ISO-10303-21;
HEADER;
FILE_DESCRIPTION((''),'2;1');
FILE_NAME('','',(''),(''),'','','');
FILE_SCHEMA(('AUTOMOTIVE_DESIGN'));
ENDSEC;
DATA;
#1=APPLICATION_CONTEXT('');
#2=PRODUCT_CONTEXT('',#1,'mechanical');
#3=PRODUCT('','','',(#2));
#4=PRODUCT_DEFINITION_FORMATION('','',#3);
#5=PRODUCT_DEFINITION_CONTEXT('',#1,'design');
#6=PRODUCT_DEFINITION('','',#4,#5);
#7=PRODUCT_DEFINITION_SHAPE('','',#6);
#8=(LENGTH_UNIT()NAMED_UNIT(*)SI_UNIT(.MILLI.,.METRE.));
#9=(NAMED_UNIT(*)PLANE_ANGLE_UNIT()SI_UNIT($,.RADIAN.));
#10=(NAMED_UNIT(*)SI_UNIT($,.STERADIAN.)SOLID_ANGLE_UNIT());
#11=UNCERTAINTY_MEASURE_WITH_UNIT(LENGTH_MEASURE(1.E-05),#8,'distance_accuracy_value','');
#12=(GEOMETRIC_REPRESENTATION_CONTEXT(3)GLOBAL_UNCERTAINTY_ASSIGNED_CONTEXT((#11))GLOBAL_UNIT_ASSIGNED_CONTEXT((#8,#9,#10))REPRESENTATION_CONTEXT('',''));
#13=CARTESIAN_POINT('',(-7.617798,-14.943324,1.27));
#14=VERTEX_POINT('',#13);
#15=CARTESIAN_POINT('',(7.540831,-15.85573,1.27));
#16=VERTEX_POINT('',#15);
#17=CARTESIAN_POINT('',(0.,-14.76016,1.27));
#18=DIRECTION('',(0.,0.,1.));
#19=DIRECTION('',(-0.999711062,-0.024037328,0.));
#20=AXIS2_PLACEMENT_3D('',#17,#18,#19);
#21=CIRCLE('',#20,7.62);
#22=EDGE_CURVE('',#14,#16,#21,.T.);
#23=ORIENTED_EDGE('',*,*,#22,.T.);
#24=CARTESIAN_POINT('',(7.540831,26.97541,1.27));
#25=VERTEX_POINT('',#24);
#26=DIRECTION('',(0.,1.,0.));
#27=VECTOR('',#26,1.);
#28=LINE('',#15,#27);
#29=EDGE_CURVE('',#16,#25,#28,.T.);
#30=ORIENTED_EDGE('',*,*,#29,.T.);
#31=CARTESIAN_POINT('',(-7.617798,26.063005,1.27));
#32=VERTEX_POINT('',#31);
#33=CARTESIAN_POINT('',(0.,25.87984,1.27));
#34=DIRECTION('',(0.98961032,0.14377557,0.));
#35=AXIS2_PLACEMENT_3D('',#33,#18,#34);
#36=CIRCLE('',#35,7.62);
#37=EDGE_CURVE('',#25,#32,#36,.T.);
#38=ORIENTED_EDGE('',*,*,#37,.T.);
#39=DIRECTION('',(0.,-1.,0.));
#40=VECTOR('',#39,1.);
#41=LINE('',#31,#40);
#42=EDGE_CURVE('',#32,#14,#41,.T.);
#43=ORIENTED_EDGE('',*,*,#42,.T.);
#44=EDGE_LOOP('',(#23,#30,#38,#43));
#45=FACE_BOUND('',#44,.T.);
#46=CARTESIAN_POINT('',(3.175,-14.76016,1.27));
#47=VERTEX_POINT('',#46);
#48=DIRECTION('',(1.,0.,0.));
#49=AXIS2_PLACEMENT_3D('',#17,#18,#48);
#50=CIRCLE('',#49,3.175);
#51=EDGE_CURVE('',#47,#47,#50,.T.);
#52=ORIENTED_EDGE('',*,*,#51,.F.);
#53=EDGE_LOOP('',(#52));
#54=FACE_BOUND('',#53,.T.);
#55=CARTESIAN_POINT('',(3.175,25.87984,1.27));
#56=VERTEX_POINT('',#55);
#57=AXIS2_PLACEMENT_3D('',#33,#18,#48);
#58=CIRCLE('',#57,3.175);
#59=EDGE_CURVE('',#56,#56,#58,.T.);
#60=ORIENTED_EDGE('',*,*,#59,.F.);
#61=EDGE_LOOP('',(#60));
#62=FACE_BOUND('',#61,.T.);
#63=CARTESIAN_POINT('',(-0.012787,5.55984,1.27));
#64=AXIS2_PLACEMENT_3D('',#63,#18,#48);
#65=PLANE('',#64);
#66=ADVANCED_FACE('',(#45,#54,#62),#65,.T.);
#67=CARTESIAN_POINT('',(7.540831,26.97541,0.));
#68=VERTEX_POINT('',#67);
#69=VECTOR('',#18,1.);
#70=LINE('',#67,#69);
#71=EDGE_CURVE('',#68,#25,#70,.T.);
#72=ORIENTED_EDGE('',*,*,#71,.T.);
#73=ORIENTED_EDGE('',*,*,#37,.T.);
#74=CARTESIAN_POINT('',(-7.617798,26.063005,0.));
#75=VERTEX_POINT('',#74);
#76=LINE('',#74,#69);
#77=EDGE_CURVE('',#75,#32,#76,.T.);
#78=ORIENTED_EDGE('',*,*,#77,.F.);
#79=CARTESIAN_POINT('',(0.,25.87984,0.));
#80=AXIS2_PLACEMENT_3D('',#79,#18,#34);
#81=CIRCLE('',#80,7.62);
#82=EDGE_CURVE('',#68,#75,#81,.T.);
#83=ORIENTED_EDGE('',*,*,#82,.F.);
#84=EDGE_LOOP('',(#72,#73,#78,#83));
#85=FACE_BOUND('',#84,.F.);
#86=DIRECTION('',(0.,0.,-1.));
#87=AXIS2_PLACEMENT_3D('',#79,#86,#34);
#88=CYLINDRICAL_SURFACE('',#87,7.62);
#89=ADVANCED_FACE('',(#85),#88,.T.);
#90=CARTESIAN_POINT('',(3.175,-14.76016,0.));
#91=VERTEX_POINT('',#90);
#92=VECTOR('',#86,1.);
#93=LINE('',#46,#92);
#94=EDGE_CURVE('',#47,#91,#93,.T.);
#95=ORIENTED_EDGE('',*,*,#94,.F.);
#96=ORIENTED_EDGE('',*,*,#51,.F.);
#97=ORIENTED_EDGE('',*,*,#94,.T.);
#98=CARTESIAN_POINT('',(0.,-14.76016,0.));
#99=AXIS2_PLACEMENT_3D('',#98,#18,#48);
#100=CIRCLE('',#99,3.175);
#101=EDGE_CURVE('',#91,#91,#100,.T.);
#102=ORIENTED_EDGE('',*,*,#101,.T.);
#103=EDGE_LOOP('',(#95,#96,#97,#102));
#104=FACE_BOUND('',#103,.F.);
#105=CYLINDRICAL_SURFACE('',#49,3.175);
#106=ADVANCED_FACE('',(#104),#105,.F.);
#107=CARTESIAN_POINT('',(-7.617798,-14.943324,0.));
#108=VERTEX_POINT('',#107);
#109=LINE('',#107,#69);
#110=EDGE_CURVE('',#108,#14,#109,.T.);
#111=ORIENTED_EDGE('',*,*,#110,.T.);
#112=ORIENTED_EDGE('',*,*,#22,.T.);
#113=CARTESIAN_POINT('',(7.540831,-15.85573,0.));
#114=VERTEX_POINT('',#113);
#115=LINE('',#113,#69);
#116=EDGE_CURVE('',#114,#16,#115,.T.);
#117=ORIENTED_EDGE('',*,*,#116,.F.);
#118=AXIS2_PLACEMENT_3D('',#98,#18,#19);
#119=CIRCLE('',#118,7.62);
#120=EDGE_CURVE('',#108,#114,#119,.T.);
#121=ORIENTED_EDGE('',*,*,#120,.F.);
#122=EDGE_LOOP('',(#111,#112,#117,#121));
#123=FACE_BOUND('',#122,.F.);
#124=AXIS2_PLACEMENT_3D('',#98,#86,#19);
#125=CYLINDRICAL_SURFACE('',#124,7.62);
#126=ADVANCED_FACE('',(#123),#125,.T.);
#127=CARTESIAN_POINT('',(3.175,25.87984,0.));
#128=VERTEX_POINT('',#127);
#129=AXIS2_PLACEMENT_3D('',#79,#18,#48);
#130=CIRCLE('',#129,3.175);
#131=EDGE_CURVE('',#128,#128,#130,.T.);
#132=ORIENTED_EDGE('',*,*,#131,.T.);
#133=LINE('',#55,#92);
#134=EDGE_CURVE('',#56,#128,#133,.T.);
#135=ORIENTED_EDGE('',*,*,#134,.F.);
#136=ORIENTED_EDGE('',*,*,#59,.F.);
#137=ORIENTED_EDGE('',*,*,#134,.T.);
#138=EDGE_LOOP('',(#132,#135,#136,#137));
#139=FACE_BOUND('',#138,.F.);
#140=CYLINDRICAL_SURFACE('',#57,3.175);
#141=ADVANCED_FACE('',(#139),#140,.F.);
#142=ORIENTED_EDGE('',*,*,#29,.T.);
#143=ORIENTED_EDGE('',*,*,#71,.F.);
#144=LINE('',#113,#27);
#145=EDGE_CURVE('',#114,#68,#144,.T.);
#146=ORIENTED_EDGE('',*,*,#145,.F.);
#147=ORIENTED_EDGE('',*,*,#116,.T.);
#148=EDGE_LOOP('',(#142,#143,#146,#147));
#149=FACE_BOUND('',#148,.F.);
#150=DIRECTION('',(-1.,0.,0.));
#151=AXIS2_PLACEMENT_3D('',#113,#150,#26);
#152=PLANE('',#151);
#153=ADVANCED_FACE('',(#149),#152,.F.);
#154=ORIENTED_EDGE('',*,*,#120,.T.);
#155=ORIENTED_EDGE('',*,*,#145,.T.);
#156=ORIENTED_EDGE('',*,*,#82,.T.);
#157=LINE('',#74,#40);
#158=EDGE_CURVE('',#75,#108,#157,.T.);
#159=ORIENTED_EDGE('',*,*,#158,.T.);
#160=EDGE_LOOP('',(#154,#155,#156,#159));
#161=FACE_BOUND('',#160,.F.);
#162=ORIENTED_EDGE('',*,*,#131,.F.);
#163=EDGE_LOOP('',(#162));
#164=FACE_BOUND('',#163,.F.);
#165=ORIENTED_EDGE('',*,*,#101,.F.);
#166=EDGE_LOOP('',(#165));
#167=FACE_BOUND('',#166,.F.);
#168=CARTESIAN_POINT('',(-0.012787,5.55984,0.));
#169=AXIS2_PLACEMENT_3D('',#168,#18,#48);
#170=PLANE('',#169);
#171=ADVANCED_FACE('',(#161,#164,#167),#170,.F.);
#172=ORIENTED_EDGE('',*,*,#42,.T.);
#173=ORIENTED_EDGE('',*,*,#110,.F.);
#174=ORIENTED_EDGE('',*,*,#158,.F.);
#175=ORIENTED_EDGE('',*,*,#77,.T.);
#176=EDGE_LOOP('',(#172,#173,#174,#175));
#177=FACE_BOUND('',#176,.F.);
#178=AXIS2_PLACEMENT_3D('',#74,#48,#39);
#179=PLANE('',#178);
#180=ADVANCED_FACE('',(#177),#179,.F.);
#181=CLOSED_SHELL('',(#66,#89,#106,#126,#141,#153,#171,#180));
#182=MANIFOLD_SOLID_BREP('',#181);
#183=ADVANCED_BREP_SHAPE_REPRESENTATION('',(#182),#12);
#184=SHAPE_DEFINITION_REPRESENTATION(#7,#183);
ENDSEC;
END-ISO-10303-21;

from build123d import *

# Parameters (mm, degrees)
F1_DEPTH = 1.27
F2_R     = 3.175
F3_DEPTH = 25.4


with BuildPart() as f1:
    # F0 (on Top) → F1 (new body)
    with BuildSketch(Plane.XY):
        with BuildLine():
            Line((7.5408306384, -13.6645900438), (7.5408306384, 24.784270269))
            Line((7.5408306384, 24.784270269), (7.5408306384, 26.9754099562))
            ThreePointArc((7.5408306384, 26.9754099562), (-0.457823012, 33.4860742722), (-7.6177982901, 26.063004552))
            Line((-7.6177982901, 26.063004552), (-7.6177982901, 25.6966756733))
            Line((-7.6177982901, 25.6966756733), (-7.6177982901, -14.576995448))
            Line((-7.6177982901, -14.576995448), (-7.6177982901, -14.9433243267))
            ThreePointArc((-7.6177982901, -14.9433243267), (-0.457823012, -22.3663940469), (7.5408306384, -15.855729731))
            Line((7.5408306384, -15.855729731), (7.5408306384, -13.6645900438))
        make_face()
    extrude(amount=F1_DEPTH)

    # F2 (on face) → F3 (cut)
    with BuildSketch(Plane.XY.offset(1.27)):
        with Locations((0, 25.8798401126)):
            Circle(F2_R)
        with Locations((0, -14.7601598874)):
            Circle(F2_R)
    extrude(amount=-F3_DEPTH, mode=Mode.SUBTRACT)


solid = f1.part
